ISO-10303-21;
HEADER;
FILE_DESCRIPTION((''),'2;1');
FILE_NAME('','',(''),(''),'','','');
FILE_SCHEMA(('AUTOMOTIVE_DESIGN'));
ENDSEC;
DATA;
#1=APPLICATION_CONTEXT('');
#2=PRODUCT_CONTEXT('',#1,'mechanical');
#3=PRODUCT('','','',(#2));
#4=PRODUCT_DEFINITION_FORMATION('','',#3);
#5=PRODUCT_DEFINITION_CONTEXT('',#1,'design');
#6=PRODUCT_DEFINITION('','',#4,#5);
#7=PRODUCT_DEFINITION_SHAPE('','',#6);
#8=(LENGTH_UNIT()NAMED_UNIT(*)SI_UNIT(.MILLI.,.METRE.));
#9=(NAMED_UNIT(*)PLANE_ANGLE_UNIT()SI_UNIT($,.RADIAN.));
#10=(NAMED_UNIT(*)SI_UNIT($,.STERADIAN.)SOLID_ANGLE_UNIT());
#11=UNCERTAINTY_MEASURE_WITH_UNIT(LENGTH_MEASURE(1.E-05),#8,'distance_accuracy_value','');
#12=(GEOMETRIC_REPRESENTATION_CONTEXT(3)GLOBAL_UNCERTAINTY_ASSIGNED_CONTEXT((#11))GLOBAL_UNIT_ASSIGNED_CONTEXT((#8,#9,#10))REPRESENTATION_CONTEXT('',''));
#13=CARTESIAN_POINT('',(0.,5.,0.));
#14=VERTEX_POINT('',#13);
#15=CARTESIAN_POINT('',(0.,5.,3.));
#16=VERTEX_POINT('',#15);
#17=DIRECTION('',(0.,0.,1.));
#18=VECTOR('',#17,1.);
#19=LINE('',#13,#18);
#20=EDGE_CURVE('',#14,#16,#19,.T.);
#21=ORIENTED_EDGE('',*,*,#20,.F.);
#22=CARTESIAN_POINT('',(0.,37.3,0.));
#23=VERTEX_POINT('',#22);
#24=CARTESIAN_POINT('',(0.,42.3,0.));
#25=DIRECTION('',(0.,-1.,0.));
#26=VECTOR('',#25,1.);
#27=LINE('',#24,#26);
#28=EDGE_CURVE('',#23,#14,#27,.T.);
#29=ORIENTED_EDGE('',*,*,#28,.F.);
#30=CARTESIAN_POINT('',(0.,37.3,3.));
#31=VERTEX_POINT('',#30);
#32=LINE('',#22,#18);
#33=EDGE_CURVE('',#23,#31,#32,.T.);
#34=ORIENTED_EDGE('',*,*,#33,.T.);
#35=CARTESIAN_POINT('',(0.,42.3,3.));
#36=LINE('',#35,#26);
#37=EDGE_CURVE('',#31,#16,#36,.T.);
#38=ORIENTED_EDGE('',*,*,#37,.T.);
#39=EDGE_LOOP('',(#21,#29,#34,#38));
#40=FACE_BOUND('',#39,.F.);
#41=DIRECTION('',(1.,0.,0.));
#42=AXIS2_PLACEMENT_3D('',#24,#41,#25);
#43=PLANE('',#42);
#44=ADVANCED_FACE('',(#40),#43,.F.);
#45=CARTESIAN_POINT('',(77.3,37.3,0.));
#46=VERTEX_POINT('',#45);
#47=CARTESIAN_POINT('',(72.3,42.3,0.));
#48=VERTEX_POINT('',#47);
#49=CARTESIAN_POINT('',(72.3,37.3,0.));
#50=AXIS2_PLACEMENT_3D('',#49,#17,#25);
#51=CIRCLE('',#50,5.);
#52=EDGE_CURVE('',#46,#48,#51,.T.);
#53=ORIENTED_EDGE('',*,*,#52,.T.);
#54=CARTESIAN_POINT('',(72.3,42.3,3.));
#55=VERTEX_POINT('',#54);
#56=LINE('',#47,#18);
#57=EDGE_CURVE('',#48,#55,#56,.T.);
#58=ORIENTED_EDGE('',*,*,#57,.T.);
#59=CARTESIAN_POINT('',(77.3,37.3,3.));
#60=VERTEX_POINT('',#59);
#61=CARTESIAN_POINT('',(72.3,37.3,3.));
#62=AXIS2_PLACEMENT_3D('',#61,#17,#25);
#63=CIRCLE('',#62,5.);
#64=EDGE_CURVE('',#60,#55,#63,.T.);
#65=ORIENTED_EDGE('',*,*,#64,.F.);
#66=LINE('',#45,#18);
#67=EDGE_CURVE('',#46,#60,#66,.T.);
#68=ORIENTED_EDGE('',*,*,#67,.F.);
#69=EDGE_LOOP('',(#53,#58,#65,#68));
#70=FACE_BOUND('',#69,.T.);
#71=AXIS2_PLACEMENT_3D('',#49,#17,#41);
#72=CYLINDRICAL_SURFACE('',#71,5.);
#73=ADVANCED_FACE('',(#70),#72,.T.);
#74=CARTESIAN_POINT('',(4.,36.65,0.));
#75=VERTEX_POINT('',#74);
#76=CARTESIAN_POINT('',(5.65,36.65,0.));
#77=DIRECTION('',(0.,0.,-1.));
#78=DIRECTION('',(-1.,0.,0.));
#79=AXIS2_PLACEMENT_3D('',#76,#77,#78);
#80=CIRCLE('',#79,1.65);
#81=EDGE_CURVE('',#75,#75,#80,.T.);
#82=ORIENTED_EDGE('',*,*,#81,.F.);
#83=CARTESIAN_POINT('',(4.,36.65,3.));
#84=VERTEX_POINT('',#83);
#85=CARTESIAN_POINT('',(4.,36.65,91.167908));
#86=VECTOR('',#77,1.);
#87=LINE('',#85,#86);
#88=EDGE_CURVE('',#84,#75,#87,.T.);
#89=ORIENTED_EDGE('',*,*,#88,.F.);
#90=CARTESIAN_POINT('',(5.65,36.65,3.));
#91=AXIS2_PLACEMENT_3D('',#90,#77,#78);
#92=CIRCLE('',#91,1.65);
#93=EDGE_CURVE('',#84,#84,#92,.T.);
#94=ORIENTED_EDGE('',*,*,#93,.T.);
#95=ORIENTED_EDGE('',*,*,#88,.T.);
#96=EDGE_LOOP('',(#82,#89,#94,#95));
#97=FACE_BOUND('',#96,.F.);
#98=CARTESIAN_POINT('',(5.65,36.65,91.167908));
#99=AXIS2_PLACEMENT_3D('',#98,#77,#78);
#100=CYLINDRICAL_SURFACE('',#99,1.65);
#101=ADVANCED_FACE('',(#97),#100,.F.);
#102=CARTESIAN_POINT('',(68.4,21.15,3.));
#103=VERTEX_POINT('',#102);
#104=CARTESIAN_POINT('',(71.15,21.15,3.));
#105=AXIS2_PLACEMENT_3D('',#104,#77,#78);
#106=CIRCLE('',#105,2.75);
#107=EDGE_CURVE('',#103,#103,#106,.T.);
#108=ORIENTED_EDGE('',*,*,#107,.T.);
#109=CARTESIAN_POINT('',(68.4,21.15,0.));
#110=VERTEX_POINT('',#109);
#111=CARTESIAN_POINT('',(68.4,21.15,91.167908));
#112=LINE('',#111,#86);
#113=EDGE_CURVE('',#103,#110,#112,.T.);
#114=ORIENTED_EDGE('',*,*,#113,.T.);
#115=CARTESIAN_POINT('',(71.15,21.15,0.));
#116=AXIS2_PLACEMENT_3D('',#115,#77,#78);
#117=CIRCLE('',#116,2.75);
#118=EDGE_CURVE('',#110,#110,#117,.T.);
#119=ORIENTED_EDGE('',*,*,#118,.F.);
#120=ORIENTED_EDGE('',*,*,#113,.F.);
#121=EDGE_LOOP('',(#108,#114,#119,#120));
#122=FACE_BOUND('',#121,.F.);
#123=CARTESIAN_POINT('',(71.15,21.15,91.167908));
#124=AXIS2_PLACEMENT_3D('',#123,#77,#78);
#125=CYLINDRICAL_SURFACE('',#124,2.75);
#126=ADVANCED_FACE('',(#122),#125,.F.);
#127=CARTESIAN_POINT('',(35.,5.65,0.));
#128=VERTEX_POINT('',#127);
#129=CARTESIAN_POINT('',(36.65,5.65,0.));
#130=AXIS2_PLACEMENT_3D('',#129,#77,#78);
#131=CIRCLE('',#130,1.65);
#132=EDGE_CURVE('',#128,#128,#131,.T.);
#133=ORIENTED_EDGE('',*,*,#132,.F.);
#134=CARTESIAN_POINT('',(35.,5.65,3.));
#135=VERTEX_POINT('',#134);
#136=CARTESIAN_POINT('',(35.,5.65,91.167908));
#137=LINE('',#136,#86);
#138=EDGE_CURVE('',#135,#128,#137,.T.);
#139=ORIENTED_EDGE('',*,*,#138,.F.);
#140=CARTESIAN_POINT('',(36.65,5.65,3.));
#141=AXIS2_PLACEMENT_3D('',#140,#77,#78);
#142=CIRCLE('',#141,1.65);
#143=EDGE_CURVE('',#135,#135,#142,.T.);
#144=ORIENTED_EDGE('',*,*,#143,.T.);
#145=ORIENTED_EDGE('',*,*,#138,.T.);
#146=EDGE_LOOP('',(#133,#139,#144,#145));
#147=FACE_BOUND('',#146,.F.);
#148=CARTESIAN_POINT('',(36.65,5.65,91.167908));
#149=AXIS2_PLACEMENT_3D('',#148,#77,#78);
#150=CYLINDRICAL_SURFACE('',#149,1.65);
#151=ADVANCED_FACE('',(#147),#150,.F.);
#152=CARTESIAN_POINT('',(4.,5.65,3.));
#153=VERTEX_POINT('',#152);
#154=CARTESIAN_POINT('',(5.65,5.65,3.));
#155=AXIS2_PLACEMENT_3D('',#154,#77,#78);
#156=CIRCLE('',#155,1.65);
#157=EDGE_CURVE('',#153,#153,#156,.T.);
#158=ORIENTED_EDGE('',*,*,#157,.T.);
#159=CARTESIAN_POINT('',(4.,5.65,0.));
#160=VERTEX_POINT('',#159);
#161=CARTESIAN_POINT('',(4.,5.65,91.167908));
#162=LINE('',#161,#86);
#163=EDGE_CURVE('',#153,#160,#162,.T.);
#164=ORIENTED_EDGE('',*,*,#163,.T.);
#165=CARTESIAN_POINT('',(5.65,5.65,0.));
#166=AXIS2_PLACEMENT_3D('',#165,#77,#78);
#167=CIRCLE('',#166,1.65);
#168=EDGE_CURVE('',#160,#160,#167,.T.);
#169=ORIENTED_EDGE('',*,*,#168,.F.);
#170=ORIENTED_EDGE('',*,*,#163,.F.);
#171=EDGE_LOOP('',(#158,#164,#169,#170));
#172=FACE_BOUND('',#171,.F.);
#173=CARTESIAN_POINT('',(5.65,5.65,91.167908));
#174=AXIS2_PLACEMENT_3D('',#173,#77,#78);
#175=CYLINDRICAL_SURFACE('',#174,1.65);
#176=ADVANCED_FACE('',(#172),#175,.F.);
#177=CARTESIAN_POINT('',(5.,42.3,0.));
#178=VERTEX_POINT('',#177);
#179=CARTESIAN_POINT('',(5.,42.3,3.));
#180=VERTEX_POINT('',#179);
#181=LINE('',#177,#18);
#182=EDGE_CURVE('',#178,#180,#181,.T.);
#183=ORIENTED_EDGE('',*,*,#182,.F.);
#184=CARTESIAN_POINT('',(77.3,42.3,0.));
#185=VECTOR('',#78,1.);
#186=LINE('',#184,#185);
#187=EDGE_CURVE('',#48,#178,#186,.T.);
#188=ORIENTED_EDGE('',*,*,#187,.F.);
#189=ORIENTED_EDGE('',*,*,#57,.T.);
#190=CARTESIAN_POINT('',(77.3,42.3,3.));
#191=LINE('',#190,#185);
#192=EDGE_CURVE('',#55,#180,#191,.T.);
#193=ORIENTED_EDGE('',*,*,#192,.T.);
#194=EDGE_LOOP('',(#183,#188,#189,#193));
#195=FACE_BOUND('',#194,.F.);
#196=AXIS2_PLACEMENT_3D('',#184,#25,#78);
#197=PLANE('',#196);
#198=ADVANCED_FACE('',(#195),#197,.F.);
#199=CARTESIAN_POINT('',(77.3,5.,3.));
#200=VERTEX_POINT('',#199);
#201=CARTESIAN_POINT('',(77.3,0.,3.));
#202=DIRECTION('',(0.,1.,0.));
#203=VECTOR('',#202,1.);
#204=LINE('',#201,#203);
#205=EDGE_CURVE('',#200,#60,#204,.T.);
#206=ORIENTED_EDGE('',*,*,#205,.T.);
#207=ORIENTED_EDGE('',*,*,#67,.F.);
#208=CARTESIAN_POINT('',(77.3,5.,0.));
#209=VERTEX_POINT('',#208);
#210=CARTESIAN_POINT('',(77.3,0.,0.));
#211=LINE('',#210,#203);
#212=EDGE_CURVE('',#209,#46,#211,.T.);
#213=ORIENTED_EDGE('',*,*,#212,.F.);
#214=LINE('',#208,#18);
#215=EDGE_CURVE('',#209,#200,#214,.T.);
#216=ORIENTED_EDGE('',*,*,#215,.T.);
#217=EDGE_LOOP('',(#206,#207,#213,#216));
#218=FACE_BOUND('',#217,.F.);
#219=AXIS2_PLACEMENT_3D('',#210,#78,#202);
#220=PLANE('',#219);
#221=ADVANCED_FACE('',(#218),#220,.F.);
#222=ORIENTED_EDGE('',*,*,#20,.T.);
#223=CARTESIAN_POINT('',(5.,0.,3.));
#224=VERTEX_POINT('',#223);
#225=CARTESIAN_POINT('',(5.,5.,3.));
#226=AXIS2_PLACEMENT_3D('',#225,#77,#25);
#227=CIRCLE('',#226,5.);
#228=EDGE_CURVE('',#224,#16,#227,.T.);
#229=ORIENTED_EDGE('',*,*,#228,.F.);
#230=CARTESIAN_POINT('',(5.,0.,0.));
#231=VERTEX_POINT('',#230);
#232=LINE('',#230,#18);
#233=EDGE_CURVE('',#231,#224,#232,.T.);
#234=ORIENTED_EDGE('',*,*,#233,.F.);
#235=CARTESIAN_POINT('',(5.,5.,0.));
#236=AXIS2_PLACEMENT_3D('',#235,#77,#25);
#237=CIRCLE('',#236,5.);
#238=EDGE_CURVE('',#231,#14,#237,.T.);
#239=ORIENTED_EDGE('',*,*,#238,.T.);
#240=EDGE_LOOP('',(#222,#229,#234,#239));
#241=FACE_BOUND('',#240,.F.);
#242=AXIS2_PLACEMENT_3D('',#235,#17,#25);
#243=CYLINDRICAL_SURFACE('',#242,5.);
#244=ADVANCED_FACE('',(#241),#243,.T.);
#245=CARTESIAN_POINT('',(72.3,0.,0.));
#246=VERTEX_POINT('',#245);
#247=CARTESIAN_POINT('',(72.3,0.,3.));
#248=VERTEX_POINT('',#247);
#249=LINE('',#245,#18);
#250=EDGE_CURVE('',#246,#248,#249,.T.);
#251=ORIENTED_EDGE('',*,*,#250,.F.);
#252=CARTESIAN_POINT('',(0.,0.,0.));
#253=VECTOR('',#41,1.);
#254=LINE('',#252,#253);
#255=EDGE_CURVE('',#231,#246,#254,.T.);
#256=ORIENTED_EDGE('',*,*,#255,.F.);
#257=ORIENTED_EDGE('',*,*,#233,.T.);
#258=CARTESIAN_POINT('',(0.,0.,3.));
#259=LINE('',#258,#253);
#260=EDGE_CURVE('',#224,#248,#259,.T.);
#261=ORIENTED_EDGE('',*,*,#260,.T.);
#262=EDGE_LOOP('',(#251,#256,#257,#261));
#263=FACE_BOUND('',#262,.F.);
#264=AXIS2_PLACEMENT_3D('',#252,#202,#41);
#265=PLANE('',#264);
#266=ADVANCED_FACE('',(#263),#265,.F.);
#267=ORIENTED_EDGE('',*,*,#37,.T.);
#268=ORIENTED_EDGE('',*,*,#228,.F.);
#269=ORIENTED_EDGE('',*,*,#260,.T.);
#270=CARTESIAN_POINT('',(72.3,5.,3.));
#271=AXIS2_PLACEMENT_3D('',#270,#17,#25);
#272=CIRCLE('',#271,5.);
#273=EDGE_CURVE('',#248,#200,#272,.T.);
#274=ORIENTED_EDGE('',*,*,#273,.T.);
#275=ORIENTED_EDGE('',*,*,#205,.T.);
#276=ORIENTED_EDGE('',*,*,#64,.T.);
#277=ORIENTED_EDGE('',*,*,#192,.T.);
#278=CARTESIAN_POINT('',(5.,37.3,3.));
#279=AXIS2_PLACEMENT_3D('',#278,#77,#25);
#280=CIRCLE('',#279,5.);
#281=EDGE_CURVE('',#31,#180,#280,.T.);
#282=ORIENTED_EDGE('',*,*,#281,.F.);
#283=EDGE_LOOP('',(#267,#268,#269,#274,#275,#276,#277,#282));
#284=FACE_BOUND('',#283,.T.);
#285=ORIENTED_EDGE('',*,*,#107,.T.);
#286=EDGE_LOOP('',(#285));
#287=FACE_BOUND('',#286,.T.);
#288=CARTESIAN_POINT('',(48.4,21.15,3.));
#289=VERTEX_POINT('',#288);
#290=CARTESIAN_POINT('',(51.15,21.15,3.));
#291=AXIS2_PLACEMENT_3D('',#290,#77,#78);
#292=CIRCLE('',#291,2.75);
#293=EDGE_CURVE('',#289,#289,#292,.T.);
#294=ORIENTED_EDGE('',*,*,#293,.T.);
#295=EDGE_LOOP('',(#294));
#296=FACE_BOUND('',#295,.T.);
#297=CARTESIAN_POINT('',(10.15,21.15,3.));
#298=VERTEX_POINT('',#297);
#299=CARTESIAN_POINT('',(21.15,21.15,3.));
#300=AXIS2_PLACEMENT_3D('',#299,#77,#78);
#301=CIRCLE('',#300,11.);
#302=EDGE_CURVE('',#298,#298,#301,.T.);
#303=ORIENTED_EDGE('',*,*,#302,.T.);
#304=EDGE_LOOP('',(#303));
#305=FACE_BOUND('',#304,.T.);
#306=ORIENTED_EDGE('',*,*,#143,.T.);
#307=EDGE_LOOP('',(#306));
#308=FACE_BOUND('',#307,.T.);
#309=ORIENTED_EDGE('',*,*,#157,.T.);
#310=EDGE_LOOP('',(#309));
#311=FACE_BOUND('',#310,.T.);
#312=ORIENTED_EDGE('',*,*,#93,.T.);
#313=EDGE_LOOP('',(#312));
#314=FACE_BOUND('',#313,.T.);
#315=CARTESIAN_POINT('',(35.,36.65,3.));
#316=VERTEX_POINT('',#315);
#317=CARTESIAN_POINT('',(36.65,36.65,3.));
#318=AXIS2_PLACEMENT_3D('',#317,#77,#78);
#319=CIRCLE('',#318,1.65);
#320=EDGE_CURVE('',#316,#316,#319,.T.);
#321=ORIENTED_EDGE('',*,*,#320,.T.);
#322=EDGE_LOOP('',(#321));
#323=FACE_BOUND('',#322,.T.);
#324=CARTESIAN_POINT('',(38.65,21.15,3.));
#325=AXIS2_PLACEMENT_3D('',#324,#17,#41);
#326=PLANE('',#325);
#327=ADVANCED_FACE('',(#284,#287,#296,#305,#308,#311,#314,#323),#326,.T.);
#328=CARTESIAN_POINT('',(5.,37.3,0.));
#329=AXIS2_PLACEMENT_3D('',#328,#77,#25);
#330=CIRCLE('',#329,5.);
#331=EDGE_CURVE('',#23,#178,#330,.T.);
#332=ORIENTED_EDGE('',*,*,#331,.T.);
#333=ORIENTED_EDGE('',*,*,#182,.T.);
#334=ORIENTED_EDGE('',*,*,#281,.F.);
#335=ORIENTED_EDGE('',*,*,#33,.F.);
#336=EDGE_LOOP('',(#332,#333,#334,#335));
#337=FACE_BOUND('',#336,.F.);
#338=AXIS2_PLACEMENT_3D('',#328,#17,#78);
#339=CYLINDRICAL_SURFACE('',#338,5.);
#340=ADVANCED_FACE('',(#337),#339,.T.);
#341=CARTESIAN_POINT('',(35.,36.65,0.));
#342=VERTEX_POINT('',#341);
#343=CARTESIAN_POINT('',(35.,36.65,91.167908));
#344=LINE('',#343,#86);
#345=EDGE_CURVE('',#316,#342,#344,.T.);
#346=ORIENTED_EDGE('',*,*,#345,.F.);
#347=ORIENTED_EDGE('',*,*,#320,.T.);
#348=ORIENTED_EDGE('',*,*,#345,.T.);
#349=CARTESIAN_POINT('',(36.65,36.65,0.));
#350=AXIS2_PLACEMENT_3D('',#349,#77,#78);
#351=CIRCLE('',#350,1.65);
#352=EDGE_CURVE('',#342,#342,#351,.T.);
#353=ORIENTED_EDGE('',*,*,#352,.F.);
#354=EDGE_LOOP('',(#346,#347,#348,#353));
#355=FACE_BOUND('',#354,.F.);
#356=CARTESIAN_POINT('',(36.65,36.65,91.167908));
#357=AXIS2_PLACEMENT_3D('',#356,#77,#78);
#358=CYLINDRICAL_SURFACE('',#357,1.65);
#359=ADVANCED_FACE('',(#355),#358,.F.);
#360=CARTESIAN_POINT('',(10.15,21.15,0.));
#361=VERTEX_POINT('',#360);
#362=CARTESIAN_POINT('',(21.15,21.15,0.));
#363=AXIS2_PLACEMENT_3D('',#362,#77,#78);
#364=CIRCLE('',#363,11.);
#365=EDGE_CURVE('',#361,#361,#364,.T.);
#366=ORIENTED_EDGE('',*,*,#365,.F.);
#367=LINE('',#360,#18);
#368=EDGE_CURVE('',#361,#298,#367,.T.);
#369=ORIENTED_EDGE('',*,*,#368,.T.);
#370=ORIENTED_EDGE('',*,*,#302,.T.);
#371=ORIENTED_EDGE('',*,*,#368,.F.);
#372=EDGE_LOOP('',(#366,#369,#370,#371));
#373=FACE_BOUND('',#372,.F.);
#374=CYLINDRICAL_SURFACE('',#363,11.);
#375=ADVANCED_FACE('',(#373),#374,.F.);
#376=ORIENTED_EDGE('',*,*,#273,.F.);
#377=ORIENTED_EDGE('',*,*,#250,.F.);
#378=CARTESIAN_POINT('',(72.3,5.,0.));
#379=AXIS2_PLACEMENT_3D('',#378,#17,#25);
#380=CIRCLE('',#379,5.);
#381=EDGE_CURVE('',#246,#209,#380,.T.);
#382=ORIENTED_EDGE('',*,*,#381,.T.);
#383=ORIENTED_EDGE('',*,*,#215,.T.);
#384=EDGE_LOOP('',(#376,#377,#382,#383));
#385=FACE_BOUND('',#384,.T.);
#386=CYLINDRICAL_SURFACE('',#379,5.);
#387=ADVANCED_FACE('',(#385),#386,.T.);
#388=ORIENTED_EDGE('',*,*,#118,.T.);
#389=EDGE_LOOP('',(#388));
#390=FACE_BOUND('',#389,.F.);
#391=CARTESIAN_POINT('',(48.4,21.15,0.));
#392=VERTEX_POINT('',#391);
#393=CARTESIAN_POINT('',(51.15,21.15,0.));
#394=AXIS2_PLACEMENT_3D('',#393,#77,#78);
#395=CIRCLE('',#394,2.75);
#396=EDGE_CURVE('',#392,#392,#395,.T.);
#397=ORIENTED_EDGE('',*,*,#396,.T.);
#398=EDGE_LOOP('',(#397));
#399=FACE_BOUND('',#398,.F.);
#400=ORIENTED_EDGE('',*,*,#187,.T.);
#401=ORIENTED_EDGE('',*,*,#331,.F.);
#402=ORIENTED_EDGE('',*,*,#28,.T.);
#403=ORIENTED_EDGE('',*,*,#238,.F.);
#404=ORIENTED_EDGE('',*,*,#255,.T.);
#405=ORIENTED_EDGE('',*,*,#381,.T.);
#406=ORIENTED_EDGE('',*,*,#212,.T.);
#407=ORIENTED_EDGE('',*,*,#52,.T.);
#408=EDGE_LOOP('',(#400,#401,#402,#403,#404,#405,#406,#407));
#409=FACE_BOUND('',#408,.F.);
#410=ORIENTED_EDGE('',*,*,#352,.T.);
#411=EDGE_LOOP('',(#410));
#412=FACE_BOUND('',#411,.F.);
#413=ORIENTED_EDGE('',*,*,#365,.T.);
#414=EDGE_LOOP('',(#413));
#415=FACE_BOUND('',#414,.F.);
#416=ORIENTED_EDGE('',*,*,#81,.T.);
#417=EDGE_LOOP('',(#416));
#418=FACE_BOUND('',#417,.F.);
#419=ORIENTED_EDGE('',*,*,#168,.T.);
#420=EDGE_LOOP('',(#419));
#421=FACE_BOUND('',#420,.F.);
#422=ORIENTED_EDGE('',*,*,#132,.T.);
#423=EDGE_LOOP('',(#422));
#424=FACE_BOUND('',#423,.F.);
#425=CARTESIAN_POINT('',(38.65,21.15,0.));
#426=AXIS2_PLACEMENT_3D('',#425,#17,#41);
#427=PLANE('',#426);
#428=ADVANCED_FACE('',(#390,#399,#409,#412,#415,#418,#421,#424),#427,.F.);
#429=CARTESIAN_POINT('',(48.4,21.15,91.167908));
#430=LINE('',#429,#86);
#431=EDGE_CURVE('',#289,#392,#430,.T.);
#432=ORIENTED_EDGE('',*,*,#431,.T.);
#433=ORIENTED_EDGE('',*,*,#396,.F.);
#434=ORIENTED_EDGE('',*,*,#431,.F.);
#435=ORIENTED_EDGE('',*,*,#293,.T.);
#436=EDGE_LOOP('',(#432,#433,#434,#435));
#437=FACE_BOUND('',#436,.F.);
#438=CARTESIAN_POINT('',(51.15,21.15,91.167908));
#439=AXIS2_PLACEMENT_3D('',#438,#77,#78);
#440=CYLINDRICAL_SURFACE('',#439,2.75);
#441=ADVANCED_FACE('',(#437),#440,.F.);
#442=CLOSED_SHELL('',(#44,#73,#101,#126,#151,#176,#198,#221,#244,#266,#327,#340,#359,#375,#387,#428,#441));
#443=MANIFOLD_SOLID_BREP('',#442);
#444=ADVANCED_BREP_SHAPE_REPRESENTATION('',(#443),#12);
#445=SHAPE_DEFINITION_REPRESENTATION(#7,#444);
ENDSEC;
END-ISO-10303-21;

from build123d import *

# Parameters (mm, degrees)
F1_DEPTH = 3
F3_D     = 3.3
F5_D     = 5.5
F6_R     = 5


with BuildPart() as f1:
    # F0 (on Top) → F1 (new body)
    with BuildSketch(Plane.XY):
        Polygon((0, 21.15), (0, 0), (77.3, 0), (77.3, 42.3), (0, 42.3), align=None)
        with BuildLine():
            ThreePointArc((32.15, 21.15), (21.15, 10.15), (10.15, 21.15))
            ThreePointArc((10.15, 21.15), (21.15, 32.15), (32.15, 21.15))
        make_face(mode=Mode.SUBTRACT)
    extrude(amount=F1_DEPTH)

    # F3 (through all)
    with Locations(Plane.XY.offset(3)):
        with Locations((5.65, 36.65), (36.65, 36.65), (36.65, 5.65), (5.65, 5.65)):
            Hole(F3_D / 2)

    # F5 (through all)
    with Locations(Plane.XY.offset(3)):
        with Locations((51.15, 21.15), (71.15, 21.15)):
            Hole(F5_D / 2)

    # F6
    f6_edges = [f1.edges().sort_by_distance(p)[0] for p in [
        (77.3, 0, 1.5),
        (0, 0, 1.5),
        (77.3, 42.3, 1.5),
        (0, 42.3, 1.5),
    ]]
    fillet(f6_edges, radius=F6_R)


solid = f1.part
